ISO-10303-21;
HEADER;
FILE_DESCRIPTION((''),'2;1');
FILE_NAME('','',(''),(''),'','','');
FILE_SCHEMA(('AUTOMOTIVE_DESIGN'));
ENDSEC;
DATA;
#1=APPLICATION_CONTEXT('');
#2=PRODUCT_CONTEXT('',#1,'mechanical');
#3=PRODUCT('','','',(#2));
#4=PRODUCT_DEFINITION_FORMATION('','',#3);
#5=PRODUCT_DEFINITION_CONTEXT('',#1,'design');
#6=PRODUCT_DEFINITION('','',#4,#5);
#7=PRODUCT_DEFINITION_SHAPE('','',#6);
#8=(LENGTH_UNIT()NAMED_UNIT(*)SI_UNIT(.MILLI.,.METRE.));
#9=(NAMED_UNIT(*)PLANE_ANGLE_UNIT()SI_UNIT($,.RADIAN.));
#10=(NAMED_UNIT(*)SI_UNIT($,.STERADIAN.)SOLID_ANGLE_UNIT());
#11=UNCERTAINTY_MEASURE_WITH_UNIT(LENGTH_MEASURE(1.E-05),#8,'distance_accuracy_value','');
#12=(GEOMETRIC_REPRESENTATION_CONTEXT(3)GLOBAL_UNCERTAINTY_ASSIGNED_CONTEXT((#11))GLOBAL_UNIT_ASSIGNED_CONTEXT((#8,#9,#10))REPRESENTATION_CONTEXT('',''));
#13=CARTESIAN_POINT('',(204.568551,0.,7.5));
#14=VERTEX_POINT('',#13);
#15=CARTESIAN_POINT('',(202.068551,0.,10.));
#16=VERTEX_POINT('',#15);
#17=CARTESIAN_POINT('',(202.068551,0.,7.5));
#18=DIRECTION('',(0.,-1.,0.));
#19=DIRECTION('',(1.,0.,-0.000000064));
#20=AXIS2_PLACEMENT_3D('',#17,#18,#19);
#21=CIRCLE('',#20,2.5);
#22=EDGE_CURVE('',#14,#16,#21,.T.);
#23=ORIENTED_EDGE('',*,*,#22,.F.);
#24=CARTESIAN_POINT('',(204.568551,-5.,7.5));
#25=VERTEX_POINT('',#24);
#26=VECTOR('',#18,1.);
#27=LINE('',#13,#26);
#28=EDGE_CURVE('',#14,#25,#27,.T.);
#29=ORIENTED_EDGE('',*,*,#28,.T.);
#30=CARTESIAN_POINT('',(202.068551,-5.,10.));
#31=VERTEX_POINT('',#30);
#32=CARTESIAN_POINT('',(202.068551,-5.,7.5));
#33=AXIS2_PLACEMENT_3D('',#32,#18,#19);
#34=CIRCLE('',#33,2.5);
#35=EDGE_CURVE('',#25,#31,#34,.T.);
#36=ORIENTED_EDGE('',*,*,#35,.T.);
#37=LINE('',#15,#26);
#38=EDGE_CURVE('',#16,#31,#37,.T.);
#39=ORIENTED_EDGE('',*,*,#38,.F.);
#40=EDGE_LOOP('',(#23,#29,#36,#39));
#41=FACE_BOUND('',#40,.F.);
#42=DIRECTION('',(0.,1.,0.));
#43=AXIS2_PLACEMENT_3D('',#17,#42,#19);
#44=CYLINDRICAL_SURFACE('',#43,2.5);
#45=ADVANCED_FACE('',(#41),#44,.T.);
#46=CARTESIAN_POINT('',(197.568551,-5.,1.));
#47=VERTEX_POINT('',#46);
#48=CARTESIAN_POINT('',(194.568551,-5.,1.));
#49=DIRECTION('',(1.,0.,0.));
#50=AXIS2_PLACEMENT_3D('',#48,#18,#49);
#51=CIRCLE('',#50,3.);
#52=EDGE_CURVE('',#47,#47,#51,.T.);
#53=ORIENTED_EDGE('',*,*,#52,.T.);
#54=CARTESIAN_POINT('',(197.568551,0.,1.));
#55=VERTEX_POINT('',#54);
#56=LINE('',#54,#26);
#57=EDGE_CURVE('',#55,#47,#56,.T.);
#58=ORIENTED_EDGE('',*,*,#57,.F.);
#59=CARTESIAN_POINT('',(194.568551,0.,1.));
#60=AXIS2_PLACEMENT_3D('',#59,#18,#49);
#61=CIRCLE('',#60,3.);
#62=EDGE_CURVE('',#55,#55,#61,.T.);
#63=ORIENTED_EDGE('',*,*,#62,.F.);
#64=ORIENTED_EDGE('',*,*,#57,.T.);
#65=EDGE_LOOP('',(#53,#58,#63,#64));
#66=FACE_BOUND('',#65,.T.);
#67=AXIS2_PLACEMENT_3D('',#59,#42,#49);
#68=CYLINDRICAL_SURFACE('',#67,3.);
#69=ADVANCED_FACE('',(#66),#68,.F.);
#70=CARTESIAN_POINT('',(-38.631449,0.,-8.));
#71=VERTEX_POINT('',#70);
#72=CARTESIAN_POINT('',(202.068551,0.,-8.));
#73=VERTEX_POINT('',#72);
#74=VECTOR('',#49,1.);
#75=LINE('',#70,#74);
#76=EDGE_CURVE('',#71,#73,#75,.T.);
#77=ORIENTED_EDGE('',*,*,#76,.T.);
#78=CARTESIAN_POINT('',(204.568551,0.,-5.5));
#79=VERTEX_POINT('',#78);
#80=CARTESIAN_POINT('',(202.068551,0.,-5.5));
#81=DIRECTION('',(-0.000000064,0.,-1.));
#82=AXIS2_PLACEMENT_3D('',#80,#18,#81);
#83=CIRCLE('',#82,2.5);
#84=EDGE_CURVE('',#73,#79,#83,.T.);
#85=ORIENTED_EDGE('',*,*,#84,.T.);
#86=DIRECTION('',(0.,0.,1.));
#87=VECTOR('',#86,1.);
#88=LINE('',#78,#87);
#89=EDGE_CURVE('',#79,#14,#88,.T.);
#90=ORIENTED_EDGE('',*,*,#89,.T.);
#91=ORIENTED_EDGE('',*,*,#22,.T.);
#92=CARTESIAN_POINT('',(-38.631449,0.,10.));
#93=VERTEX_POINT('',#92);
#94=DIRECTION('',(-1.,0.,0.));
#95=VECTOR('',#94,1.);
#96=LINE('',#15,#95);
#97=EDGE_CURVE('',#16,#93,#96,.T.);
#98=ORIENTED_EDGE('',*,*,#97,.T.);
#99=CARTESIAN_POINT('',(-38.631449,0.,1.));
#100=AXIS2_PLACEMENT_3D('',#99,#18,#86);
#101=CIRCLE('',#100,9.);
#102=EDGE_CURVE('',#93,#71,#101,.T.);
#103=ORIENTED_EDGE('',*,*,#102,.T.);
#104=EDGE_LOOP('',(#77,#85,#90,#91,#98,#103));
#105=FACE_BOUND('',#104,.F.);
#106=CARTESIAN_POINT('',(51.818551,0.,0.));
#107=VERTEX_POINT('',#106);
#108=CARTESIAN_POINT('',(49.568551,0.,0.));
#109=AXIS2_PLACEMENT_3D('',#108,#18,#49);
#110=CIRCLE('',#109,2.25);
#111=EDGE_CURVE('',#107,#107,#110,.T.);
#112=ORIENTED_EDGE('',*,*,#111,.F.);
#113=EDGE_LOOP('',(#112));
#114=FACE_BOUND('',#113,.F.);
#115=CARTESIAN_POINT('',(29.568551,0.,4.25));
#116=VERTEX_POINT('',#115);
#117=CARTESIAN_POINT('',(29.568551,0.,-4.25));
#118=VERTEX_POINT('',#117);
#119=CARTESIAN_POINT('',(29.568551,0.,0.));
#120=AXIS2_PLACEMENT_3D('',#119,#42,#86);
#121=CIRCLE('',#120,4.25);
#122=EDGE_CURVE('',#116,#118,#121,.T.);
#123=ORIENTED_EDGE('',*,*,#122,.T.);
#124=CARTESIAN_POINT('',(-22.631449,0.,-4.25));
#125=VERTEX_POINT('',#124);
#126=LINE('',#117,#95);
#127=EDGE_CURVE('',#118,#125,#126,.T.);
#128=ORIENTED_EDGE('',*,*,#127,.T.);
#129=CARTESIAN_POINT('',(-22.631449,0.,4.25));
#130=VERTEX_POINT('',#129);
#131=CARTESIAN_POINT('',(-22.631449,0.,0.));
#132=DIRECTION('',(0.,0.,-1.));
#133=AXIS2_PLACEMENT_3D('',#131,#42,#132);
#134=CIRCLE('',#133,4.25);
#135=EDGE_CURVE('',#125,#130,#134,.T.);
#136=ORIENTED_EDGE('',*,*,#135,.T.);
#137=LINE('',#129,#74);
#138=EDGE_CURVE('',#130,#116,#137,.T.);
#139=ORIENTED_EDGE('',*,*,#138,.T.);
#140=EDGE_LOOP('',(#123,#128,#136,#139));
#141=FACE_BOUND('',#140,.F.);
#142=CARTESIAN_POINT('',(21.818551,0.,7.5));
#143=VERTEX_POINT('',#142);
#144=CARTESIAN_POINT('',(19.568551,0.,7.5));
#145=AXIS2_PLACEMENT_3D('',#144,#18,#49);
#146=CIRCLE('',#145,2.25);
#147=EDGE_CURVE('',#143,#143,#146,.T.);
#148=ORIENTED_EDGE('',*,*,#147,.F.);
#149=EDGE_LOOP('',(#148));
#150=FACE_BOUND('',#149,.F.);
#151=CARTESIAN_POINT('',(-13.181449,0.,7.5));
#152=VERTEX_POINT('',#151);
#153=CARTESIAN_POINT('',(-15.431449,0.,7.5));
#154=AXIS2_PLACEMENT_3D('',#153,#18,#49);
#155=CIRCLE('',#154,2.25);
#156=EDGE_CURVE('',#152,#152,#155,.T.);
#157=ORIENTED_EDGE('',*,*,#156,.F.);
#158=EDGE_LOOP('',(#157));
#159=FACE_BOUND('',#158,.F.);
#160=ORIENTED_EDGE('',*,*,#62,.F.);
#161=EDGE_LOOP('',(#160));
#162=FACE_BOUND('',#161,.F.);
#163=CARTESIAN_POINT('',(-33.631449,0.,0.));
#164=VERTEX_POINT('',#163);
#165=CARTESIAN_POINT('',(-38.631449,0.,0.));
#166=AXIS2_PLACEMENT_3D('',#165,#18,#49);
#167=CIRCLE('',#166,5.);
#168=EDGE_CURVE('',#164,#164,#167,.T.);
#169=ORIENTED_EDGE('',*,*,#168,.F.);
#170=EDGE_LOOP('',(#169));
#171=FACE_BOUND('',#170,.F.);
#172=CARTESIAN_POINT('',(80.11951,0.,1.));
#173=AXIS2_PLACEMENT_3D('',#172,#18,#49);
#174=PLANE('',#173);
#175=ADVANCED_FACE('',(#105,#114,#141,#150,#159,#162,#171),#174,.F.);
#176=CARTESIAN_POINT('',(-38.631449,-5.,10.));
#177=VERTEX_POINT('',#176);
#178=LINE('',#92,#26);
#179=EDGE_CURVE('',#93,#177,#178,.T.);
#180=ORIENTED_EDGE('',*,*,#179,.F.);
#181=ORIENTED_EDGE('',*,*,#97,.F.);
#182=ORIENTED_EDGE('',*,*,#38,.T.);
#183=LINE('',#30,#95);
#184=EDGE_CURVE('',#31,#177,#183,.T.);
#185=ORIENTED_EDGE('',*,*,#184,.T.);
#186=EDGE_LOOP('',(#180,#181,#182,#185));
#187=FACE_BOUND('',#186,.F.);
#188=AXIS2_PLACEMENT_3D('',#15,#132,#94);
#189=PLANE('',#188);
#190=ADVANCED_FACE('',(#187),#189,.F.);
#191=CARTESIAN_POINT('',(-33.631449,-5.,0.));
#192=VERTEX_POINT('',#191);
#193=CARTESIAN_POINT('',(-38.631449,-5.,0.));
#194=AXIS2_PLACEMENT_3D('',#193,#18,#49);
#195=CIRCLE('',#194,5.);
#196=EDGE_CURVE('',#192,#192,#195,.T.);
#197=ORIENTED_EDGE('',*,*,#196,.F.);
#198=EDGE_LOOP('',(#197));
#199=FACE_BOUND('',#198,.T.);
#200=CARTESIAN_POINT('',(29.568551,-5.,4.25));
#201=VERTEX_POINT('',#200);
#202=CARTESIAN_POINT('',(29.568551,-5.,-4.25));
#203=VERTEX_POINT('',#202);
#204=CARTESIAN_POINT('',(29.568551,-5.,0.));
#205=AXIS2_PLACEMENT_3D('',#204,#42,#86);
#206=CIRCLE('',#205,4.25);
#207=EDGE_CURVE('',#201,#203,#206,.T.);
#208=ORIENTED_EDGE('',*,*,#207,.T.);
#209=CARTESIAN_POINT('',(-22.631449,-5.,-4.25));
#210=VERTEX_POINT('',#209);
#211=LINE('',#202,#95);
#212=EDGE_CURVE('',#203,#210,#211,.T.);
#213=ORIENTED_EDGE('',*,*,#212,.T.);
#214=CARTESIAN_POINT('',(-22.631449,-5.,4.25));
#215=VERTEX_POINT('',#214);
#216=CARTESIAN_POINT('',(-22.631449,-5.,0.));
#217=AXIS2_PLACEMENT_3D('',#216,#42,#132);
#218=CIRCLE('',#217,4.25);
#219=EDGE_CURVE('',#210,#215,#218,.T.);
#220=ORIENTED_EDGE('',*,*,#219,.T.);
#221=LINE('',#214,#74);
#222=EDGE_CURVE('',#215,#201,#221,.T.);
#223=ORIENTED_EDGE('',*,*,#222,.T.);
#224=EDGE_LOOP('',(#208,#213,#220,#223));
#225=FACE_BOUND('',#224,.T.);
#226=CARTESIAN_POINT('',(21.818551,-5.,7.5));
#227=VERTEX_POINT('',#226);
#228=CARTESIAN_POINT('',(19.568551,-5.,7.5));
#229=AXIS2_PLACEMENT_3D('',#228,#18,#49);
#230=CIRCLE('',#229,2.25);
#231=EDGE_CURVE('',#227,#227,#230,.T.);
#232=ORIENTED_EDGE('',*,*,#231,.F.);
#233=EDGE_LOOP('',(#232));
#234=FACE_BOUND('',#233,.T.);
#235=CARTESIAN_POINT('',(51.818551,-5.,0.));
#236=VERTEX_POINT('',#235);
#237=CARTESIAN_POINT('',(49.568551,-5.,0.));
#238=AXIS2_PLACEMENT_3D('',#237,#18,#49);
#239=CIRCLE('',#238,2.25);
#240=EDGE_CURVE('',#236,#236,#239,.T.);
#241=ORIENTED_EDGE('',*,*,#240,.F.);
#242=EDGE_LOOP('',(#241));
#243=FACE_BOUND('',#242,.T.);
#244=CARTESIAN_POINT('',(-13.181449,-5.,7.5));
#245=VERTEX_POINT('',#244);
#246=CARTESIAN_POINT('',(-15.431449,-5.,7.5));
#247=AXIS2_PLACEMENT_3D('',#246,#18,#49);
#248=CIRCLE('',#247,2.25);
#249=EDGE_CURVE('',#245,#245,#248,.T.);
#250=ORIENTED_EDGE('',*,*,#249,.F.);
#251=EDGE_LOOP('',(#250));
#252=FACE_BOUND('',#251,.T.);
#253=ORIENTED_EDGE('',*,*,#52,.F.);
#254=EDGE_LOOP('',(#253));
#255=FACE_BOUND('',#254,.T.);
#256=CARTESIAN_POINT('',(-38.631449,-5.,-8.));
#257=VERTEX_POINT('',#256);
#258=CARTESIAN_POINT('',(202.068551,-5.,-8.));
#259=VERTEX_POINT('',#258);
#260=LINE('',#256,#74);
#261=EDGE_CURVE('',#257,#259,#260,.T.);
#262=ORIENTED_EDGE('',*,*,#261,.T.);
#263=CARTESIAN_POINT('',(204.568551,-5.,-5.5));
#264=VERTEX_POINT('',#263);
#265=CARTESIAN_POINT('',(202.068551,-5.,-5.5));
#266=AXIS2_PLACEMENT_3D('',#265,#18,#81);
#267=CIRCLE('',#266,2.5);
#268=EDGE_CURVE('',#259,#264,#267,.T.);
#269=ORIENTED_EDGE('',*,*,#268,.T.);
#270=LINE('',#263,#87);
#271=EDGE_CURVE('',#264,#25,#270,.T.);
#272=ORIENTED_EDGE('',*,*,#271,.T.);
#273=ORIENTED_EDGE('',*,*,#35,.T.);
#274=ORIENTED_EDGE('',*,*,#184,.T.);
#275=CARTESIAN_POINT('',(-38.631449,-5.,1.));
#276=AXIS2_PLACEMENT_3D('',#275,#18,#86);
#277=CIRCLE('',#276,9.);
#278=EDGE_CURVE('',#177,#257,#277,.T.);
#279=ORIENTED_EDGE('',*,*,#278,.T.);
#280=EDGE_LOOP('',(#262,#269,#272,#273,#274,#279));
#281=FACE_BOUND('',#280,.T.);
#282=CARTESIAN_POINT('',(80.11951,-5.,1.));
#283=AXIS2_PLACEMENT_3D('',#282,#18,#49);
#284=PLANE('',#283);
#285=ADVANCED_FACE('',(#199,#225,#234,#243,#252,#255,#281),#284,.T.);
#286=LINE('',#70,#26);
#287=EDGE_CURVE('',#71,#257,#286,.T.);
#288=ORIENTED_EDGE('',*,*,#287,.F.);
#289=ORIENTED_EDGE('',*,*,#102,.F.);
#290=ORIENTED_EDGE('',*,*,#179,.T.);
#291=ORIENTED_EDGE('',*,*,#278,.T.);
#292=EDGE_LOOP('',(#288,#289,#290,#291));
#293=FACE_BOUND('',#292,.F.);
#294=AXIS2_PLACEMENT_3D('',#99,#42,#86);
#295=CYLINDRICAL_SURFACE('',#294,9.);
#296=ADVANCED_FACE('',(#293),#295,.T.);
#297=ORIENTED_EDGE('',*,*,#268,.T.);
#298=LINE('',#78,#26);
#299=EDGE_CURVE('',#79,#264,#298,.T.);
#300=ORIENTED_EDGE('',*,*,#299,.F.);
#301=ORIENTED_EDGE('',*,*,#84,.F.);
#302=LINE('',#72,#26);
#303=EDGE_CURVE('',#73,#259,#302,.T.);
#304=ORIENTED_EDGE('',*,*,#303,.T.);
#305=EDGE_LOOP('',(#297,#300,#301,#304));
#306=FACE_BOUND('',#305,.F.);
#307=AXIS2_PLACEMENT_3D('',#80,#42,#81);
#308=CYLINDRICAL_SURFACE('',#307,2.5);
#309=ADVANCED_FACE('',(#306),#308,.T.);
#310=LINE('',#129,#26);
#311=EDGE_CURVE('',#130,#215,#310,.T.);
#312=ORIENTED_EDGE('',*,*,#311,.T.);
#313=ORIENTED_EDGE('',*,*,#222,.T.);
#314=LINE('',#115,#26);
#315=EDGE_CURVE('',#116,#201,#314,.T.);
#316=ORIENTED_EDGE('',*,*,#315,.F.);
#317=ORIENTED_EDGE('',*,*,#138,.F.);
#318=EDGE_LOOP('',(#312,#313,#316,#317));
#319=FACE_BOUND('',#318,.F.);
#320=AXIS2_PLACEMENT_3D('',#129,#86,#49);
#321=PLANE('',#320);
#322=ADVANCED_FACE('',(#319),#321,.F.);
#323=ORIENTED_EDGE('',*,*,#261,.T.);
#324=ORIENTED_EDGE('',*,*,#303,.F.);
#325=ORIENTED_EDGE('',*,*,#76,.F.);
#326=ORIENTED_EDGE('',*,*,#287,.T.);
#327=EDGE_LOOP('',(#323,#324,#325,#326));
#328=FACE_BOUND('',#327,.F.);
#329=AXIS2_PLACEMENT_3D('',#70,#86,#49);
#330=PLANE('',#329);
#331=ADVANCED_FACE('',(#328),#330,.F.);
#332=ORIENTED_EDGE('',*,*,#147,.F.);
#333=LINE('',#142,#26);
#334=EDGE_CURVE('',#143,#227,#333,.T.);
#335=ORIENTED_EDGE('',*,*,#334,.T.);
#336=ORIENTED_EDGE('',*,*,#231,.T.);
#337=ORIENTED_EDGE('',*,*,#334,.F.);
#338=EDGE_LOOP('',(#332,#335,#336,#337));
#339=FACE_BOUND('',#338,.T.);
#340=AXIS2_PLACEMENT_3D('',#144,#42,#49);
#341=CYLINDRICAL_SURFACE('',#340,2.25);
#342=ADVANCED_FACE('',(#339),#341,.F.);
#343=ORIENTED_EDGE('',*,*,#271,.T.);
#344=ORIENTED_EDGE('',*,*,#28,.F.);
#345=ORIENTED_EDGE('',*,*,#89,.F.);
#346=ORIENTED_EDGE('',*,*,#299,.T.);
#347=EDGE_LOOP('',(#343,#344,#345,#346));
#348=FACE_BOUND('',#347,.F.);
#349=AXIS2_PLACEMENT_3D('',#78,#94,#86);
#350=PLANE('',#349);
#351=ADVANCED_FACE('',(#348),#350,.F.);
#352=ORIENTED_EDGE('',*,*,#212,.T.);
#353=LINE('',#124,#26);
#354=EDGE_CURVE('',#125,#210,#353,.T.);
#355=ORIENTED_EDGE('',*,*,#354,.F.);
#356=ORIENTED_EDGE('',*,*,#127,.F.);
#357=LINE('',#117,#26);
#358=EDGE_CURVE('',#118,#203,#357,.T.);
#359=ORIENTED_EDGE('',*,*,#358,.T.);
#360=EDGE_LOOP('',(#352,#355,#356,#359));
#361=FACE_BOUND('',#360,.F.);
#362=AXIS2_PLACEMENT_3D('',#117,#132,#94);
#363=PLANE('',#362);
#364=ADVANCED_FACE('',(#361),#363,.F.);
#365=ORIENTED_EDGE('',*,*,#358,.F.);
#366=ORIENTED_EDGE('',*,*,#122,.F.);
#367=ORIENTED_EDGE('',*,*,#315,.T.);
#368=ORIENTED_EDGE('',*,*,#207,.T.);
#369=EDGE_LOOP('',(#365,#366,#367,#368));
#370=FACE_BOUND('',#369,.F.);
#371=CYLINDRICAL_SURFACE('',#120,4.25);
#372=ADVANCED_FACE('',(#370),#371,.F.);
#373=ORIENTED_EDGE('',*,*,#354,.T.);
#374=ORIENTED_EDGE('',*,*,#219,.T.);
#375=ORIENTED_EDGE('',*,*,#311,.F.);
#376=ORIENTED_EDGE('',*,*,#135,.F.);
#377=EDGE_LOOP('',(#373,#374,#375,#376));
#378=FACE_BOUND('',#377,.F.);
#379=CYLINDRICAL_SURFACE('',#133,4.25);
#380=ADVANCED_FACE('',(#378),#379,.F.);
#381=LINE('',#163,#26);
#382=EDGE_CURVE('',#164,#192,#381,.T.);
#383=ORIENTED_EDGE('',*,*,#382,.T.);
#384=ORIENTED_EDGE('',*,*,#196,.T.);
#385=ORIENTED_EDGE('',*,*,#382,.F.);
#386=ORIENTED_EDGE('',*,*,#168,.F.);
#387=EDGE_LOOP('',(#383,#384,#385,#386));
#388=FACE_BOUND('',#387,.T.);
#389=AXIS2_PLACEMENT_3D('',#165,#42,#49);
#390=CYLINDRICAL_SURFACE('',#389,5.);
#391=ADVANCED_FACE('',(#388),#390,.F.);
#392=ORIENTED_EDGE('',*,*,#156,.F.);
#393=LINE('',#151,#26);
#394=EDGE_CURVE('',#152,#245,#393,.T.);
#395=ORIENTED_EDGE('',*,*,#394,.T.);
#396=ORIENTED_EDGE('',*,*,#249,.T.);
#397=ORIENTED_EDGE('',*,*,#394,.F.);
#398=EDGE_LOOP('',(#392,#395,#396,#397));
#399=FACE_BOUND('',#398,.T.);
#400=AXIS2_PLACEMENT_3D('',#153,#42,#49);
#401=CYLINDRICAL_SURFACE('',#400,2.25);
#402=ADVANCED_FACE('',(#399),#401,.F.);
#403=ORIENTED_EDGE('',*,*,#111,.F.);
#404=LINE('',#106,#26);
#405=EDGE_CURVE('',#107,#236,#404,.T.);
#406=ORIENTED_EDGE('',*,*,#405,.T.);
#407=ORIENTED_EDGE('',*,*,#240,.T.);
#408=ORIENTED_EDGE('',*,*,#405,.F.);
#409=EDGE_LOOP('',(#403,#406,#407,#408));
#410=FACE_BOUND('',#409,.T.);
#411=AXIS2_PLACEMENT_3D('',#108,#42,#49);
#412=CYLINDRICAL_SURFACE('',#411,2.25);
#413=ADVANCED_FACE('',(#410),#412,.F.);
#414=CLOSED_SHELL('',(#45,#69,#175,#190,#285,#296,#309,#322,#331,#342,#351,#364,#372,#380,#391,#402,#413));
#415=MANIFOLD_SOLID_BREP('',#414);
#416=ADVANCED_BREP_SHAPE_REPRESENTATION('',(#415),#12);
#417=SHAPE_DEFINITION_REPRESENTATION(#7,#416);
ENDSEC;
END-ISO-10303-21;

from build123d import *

# Parameters (mm, degrees)
F0_R     = 5
F0_R_2   = 2.25
F0_R_3   = 3
F1_DEPTH = 5


with BuildPart() as f1:
    # F0 (on Front) → F1 (new body)
    with BuildSketch(Plane.XZ):
        with BuildLine():
            Line((202.068551, 10), (-38.631449, 10))
            ThreePointArc((-38.631449, 10), (-47.631449, 1), (-38.631449, -8))
            Line((-38.631449, -8), (202.068551, -8))
            ThreePointArc((202.068551, -8), (203.836318, -7.267767), (204.568551, -5.5))
            Line((204.568551, -5.5), (204.568551, 7.5))
            ThreePointArc((204.568551, 7.5), (203.836318, 9.267767), (202.068551, 10))
        make_face()
        with Locations((-38.631449, 0)):
            Circle(F0_R, mode=Mode.SUBTRACT)
        with BuildLine():
            ThreePointArc((-22.631449, -4.25), (-26.881449, 0), (-22.631449, 4.25))
            Line((-22.631449, 4.25), (29.568551, 4.25))
            ThreePointArc((29.568551, 4.25), (33.818551, 0), (29.568551, -4.25))
            Line((29.568551, -4.25), (-22.631449, -4.25))
        make_face(mode=Mode.SUBTRACT)
        with Locations((49.568551, 0)):
            Circle(F0_R_2, mode=Mode.SUBTRACT)
        with Locations((-15.431449, 7.5)):
            Circle(F0_R_2, mode=Mode.SUBTRACT)
        with Locations((19.568551, 7.5)):
            Circle(F0_R_2, mode=Mode.SUBTRACT)
        with Locations((194.568551, 1)):
            Circle(F0_R_3, mode=Mode.SUBTRACT)
    extrude(amount=F1_DEPTH)


solid = f1.part
